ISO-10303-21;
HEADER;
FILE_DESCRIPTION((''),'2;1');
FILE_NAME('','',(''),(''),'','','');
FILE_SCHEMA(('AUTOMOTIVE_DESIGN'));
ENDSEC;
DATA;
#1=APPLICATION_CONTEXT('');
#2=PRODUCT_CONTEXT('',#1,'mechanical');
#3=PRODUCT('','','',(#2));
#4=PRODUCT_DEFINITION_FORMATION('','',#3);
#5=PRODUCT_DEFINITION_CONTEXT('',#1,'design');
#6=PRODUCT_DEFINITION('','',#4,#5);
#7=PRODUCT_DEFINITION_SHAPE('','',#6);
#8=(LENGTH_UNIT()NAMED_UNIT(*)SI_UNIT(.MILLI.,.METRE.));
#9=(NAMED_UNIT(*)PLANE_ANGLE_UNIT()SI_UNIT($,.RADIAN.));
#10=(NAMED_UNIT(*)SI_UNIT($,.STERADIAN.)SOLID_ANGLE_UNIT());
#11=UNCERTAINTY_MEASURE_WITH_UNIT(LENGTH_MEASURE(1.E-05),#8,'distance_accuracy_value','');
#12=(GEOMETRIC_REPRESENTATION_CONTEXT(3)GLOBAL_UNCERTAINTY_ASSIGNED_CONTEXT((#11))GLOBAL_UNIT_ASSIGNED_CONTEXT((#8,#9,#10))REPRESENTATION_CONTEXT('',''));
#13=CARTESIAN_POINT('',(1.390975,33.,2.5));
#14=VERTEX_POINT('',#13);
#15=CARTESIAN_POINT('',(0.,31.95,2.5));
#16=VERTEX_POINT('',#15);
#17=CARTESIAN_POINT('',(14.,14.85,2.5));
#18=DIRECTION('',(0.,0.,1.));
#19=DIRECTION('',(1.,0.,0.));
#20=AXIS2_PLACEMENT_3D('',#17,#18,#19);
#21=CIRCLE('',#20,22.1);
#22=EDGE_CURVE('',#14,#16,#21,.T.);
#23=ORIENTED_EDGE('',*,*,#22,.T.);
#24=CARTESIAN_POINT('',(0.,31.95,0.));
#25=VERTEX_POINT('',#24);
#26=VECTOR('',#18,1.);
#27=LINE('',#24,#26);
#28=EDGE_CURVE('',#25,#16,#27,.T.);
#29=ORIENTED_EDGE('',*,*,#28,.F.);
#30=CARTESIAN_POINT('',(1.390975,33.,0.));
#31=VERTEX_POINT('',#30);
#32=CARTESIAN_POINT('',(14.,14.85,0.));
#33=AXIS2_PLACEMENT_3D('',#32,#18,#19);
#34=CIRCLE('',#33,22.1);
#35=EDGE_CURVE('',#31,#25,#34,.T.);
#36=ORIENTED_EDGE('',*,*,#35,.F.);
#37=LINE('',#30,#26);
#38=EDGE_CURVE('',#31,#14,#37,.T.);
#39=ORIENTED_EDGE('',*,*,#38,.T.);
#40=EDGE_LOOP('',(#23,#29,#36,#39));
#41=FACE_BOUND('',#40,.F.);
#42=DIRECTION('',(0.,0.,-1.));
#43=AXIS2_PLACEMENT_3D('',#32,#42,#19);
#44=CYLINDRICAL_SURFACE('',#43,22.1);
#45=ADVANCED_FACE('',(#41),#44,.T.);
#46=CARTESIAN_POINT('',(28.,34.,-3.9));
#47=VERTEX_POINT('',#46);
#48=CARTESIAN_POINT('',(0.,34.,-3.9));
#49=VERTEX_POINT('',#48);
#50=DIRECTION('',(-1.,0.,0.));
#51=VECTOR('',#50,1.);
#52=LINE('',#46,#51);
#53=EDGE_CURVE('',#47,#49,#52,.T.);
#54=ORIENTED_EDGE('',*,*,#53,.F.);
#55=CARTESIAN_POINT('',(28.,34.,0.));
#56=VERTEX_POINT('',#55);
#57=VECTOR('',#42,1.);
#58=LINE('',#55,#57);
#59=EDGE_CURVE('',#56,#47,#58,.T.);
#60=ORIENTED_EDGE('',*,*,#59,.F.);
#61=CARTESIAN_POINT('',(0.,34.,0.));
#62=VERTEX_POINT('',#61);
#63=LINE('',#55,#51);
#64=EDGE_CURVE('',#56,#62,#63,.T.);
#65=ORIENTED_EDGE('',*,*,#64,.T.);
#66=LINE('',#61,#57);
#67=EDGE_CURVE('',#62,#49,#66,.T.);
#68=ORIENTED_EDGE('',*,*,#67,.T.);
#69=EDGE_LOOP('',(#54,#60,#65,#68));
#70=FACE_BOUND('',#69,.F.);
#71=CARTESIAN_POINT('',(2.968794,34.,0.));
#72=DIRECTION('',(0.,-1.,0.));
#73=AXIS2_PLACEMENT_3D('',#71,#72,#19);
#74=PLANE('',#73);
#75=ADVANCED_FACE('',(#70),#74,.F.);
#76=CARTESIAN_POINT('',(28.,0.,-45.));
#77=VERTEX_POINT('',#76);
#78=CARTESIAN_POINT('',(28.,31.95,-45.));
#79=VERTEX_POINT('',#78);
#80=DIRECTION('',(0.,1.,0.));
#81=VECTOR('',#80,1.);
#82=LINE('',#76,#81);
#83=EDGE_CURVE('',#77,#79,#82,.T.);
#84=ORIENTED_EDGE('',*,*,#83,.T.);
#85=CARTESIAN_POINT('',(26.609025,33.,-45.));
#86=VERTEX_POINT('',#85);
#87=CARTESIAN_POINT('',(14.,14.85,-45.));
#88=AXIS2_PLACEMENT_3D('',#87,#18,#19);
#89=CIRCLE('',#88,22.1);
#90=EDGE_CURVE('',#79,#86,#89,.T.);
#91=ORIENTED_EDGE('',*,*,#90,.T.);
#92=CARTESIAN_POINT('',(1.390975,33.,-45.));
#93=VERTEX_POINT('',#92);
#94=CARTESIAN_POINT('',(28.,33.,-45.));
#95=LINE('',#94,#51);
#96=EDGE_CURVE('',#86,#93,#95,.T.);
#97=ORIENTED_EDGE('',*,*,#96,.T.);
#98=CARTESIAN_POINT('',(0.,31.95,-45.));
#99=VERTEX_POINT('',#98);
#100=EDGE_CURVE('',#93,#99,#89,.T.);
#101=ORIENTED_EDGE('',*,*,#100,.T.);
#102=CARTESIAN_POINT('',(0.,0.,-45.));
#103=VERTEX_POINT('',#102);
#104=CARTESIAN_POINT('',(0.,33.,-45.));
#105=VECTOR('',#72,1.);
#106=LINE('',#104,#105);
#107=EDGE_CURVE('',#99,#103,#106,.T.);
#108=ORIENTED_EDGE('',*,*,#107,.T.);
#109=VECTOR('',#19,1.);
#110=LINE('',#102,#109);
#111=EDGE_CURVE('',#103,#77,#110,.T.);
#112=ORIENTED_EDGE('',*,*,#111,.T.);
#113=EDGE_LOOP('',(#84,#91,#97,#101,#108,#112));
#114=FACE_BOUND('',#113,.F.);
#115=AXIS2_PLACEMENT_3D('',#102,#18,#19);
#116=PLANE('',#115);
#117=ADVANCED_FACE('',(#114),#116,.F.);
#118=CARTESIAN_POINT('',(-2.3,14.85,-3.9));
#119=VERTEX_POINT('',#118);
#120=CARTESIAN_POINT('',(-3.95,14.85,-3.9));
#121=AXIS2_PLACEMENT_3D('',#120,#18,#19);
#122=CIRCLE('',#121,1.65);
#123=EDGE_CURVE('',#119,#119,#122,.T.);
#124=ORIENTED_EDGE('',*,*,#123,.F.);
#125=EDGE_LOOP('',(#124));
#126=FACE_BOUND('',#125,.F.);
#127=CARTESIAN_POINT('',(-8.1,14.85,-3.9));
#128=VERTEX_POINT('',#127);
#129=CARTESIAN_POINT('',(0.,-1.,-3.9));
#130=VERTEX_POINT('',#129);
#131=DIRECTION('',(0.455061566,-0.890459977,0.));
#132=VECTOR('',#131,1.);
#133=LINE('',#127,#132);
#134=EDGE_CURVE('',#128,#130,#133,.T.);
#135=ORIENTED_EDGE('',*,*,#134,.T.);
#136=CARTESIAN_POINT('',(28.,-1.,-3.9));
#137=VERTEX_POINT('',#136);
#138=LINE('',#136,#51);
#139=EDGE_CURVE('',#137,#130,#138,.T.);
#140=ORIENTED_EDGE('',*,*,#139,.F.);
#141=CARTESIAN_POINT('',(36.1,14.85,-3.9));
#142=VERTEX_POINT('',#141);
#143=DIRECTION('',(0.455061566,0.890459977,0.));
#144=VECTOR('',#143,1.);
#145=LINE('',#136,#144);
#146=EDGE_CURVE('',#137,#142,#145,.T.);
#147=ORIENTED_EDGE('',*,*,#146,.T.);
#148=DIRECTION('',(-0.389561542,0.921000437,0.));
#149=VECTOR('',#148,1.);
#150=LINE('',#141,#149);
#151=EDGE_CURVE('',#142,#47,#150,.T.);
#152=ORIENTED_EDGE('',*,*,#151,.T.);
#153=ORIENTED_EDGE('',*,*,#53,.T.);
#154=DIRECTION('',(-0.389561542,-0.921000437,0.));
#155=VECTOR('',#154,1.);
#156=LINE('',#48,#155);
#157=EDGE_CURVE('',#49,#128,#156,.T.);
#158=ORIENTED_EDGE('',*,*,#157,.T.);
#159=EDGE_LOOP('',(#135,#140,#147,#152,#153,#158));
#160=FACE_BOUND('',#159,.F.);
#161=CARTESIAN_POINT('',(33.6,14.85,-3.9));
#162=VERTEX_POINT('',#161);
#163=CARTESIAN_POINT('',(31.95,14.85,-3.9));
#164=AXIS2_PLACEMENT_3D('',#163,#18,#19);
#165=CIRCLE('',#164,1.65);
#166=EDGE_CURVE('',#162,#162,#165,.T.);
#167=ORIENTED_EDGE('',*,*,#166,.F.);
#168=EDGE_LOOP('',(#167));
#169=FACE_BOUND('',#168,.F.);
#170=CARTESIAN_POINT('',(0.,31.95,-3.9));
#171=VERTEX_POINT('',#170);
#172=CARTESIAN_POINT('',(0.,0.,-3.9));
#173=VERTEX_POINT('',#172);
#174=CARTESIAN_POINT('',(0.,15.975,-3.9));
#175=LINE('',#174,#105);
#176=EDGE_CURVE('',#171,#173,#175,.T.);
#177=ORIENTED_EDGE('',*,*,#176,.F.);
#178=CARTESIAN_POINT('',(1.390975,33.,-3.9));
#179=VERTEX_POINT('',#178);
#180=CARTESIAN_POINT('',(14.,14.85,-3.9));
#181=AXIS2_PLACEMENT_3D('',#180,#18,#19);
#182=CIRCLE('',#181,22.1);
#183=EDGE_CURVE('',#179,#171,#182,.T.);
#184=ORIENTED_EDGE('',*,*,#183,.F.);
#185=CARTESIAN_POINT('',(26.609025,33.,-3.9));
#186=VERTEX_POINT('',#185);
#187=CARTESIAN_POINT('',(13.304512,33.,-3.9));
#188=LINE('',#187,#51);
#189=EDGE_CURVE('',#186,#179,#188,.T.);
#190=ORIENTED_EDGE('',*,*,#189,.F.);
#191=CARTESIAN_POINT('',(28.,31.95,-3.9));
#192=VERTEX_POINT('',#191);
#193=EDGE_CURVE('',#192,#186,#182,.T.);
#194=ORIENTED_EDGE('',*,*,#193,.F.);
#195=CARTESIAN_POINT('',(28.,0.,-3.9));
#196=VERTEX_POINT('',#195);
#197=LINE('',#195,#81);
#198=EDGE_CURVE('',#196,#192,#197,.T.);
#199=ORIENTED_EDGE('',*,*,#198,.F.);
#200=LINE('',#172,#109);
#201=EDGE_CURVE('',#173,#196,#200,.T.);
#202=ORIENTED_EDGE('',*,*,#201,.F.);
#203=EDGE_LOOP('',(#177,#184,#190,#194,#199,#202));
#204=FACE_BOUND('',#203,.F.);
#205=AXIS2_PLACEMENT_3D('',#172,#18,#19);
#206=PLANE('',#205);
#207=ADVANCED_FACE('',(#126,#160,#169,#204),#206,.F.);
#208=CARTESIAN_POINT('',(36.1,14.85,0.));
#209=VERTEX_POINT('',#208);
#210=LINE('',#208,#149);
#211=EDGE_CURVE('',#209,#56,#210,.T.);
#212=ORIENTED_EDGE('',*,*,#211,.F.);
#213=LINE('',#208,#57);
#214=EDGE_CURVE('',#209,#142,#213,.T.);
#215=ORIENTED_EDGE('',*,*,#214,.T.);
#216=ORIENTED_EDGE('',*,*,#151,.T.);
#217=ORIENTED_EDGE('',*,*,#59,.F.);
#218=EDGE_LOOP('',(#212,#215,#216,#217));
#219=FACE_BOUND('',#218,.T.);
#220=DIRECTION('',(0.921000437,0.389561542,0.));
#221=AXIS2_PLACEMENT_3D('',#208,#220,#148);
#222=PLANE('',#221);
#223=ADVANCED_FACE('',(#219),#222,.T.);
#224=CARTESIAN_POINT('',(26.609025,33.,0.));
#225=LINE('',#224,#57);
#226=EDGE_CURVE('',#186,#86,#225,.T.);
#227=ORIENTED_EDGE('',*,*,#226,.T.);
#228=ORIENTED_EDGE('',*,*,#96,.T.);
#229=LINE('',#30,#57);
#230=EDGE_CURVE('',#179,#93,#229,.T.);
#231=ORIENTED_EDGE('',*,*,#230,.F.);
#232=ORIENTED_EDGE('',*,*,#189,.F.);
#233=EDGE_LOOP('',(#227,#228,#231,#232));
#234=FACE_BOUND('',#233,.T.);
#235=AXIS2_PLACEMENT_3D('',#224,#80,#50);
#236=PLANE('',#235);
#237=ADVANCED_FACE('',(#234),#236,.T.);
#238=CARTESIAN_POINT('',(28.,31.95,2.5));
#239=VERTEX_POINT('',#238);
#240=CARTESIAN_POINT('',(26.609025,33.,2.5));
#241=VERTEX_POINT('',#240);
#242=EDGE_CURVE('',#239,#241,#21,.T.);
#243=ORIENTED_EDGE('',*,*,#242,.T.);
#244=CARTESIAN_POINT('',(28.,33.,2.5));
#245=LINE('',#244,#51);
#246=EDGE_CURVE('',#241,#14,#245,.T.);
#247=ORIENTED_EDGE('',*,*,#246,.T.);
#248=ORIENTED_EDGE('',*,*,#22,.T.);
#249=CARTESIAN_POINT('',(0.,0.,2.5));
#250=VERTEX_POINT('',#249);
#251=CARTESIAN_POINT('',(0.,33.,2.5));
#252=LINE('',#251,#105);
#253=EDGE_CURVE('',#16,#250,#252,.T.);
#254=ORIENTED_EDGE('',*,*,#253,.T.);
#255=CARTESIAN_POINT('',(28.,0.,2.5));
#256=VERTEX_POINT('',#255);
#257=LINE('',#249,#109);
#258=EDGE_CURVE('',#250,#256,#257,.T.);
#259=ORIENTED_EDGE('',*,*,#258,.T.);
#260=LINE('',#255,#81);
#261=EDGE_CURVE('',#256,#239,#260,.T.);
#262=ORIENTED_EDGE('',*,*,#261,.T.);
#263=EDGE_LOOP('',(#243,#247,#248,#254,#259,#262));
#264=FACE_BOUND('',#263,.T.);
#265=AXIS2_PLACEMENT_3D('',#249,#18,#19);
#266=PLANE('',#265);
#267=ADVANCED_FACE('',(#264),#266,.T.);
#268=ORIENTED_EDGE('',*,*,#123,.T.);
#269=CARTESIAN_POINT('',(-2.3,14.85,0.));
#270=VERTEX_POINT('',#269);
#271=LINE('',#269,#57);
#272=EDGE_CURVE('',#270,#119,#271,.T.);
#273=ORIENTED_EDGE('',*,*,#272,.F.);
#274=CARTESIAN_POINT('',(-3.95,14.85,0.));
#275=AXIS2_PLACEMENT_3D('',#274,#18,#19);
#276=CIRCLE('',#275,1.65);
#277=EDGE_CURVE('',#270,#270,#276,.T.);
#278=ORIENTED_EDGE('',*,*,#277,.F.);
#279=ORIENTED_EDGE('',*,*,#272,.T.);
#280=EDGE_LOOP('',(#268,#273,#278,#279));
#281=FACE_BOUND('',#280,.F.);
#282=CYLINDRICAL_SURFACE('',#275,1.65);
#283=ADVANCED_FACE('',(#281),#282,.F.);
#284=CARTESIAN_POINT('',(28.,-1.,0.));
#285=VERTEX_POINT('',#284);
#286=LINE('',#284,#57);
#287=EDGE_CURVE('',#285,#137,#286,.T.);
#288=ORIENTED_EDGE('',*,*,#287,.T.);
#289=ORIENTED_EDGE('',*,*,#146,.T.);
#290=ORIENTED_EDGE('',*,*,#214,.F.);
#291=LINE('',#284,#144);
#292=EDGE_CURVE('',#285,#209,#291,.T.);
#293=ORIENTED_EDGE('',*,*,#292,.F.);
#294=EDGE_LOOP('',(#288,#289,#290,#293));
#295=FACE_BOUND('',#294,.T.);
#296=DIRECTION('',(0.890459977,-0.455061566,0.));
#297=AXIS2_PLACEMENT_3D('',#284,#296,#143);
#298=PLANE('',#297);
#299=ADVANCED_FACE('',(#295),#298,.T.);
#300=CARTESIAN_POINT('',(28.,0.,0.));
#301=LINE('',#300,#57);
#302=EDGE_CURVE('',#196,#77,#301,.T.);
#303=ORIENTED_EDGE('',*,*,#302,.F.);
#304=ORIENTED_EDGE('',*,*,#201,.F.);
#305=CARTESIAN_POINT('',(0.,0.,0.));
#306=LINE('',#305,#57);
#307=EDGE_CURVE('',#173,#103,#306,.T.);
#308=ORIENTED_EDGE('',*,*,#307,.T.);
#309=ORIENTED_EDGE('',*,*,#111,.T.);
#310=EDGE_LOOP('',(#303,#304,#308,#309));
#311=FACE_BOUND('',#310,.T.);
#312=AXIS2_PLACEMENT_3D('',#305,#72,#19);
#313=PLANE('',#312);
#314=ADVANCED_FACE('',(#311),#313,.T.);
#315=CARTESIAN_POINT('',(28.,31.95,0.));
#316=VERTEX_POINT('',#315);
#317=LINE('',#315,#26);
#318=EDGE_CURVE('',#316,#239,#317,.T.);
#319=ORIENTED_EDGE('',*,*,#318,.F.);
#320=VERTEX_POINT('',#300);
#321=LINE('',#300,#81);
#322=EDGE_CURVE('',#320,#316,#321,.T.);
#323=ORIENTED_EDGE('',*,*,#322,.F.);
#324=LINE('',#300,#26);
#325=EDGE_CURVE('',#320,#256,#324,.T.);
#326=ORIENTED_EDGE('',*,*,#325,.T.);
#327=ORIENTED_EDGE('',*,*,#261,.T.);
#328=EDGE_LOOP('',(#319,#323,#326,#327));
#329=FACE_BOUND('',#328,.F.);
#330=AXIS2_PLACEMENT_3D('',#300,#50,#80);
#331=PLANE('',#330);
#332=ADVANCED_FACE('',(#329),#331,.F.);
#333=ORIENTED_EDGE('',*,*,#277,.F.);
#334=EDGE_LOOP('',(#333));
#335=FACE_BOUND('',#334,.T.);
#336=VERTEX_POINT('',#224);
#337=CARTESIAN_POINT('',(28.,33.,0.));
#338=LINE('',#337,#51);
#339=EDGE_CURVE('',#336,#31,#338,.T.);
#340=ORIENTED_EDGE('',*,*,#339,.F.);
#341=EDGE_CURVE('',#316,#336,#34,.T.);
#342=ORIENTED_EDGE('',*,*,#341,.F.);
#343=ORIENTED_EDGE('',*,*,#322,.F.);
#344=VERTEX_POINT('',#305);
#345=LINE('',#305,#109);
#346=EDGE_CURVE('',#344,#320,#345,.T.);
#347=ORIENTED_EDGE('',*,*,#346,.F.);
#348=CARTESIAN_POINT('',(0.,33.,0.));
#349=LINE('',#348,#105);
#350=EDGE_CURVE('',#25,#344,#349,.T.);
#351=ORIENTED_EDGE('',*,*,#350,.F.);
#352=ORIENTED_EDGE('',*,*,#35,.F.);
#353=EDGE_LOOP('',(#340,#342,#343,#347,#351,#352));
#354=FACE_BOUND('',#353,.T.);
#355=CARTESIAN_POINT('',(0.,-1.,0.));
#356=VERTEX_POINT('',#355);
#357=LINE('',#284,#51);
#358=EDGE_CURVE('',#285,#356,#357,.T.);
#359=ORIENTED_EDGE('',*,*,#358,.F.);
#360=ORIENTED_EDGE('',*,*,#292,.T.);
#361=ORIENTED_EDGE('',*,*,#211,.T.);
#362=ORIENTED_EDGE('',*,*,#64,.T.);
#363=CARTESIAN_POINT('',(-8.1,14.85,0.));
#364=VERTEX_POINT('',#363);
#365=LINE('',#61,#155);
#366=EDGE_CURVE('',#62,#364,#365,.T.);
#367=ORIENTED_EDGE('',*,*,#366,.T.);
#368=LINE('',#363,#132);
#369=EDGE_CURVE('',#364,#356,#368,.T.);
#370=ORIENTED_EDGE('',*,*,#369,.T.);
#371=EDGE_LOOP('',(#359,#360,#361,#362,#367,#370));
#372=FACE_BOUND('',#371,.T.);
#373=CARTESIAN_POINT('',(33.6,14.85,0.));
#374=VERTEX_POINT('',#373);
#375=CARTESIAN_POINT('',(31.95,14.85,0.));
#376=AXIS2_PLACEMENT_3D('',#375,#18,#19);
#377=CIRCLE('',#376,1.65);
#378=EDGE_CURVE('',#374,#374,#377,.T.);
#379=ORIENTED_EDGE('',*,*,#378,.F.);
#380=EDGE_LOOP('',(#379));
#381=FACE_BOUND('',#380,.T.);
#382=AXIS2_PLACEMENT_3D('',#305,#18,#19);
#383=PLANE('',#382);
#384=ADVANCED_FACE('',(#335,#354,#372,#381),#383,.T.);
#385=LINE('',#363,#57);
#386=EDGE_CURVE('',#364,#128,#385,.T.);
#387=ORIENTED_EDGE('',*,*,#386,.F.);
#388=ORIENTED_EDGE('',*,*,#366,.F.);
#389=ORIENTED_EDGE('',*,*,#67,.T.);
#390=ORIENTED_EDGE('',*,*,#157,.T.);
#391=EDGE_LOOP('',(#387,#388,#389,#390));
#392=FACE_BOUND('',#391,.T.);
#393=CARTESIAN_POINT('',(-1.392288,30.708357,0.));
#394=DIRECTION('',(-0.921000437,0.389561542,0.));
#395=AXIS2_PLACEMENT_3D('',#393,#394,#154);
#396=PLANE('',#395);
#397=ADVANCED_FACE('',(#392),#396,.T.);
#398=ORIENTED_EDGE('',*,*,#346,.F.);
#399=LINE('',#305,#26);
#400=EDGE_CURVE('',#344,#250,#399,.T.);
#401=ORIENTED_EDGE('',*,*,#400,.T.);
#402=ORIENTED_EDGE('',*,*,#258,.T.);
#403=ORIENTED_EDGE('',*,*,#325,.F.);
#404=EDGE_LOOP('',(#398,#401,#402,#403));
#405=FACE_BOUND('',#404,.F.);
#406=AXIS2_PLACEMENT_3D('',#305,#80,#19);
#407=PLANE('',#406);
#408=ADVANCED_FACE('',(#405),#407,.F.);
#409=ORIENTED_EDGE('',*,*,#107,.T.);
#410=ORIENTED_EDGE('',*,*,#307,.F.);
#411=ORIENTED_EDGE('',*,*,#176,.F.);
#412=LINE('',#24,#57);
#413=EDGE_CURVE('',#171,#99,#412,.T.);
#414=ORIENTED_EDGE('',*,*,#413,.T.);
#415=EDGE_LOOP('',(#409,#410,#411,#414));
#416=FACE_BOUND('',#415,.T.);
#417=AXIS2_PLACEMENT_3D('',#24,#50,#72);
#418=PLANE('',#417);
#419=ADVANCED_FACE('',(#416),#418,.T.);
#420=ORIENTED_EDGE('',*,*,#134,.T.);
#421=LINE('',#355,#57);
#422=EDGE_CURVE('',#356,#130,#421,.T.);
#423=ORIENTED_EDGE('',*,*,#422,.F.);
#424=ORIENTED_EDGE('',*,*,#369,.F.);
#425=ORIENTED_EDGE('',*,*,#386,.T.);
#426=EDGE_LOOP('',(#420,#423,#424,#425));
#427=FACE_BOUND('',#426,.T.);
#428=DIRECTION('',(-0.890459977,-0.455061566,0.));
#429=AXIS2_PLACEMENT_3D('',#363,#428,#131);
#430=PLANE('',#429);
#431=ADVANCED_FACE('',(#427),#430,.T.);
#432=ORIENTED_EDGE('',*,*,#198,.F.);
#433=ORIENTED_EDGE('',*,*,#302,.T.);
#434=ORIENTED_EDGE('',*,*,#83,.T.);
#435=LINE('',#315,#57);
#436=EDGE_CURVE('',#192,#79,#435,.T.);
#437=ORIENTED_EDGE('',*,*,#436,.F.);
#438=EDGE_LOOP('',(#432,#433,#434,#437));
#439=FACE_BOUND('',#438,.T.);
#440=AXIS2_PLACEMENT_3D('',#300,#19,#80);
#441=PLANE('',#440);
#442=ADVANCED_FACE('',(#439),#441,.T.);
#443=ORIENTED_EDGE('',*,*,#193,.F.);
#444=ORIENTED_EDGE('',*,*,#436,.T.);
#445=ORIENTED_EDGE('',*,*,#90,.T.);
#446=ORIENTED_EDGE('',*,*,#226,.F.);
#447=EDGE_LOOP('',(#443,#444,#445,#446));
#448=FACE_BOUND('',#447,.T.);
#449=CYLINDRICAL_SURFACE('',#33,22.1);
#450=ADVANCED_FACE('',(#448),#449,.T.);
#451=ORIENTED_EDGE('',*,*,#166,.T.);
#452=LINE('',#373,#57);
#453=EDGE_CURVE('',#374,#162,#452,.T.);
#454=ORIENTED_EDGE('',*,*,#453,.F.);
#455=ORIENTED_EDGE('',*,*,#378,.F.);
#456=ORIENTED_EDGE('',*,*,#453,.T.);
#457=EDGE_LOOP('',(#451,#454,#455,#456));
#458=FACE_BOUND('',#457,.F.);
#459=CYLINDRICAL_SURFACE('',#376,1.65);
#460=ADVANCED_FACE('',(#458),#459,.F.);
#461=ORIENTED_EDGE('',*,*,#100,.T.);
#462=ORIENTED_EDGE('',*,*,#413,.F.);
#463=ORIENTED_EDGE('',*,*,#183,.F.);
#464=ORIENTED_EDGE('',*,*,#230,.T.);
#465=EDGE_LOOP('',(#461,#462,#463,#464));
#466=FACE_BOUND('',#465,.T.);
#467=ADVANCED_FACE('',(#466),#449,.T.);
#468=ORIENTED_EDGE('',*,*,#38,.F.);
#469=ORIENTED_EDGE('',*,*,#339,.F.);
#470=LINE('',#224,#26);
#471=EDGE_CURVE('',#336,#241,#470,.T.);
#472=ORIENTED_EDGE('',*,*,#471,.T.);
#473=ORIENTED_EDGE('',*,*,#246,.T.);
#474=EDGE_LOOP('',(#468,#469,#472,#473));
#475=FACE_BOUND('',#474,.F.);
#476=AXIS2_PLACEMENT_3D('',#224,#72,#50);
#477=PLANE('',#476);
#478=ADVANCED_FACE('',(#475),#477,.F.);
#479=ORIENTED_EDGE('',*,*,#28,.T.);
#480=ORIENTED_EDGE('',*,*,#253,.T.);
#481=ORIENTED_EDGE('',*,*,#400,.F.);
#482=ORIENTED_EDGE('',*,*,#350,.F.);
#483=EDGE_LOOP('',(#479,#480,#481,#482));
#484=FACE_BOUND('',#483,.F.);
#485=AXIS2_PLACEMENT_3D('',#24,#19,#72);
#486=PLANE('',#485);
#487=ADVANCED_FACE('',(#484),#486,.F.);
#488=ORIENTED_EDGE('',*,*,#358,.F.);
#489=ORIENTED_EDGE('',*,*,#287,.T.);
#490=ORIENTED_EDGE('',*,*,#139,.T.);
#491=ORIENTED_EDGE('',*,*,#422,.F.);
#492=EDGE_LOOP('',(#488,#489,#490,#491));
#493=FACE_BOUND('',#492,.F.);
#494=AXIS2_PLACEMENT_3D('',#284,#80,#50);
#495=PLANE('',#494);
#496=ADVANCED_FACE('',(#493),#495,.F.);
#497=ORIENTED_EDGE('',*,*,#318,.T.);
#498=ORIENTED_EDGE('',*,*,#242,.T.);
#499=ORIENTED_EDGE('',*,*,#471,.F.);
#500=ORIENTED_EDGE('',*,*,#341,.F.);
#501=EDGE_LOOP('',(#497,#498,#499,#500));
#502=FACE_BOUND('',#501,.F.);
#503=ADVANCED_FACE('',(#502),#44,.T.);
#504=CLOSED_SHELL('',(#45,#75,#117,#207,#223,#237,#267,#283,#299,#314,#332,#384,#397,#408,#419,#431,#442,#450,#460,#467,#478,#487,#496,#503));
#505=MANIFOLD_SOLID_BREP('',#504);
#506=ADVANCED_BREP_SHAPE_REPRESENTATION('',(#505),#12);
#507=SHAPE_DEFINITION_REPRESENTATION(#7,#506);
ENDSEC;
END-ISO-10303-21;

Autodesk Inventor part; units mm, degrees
ref_plane "YZ Plane" through (0, 0, 0) normal (1, 0, 0) x (0, 1, 0)
ref_plane "XZ Plane" through (0, 0, 0) normal (0, 1, 0) x (-1, 0, 0)
ref_plane "XY Plane" through (0, 0, 0) normal (0, 0, 1) x (1, 0, 0)
sketch "스케치1" plane through (0, 0, 0) normal (0, 0, 1) x (1, 0, 0)
  line L0 (0, 0) -> (28, 0)
  line L1 (28, 0) -> (28, 33)
  line L2 (28, 33) -> (0, 33)
  line L3 (0, 33) -> (0, 0)
  line L4 (0, 34) -> (28, 34)
  line L5 (28, 34) -> (28, -1)
  line L6 (28, -1) -> (0, -1)
  line L7 (0, -1) -> (0, 34)
  circle A0 centre (-3.95, 14.85) radius 1.65
  circle A1 centre (31.95, 14.85) radius 1.65
  circle A2 centre (14, 14.85) radius 22.1
  line L8 (0, 34) -> (-8.1, 14.85)
  line L9 (-8.1, 14.85) -> (0, -1)
  line L10 (28, -1) -> (36.1, 14.85)
  line L11 (36.1, 14.85) -> (28, 34)
  point P0 (29.3923, 30.7084)
  point P1 (26.609, 33)
  point P2 (1.391, 33)
  point P3 (-1.3923, 30.7084)
  point P4 (0, 31.95)
  point P5 (28, 31.95)
  dimension "d0" = 28
  dimension "d1" = 33
  dimension "d2" = 28
  dimension "d3" = 35
  dimension "d4" = 1
  dimension "d5" = 3.3
  dimension "d6" = 3.3
  dimension "d7" = 35.9
  dimension "d8" = 3.95
  dimension "d9" = 15.85
  dimension "d10" = 44.2
extrude "돌출1" add sketch "스케치1" against normal blind 3.9 contours L3 A2 L2 L1 L0 | L7 L9 L8 A2 L3 | L0 L5 L6 L7 | L1 A2 L11 L10 L5 | A2 L8 L7 L3 | L3 L2 A2 | A2 L2 L1 | L1 L5 L11 A2 | L7 L4 A2 L2 | A2 L4 L2 | L2 A2 L4 L5
extrude "돌출2" add sketch "스케치1" against normal blind 45 contours L3 A2 L2 L1 L0
extrude "돌출3" add sketch "스케치1" along normal blind 2.5 contours L3 A2 L2 L1 L0
properties part number "outlet"
